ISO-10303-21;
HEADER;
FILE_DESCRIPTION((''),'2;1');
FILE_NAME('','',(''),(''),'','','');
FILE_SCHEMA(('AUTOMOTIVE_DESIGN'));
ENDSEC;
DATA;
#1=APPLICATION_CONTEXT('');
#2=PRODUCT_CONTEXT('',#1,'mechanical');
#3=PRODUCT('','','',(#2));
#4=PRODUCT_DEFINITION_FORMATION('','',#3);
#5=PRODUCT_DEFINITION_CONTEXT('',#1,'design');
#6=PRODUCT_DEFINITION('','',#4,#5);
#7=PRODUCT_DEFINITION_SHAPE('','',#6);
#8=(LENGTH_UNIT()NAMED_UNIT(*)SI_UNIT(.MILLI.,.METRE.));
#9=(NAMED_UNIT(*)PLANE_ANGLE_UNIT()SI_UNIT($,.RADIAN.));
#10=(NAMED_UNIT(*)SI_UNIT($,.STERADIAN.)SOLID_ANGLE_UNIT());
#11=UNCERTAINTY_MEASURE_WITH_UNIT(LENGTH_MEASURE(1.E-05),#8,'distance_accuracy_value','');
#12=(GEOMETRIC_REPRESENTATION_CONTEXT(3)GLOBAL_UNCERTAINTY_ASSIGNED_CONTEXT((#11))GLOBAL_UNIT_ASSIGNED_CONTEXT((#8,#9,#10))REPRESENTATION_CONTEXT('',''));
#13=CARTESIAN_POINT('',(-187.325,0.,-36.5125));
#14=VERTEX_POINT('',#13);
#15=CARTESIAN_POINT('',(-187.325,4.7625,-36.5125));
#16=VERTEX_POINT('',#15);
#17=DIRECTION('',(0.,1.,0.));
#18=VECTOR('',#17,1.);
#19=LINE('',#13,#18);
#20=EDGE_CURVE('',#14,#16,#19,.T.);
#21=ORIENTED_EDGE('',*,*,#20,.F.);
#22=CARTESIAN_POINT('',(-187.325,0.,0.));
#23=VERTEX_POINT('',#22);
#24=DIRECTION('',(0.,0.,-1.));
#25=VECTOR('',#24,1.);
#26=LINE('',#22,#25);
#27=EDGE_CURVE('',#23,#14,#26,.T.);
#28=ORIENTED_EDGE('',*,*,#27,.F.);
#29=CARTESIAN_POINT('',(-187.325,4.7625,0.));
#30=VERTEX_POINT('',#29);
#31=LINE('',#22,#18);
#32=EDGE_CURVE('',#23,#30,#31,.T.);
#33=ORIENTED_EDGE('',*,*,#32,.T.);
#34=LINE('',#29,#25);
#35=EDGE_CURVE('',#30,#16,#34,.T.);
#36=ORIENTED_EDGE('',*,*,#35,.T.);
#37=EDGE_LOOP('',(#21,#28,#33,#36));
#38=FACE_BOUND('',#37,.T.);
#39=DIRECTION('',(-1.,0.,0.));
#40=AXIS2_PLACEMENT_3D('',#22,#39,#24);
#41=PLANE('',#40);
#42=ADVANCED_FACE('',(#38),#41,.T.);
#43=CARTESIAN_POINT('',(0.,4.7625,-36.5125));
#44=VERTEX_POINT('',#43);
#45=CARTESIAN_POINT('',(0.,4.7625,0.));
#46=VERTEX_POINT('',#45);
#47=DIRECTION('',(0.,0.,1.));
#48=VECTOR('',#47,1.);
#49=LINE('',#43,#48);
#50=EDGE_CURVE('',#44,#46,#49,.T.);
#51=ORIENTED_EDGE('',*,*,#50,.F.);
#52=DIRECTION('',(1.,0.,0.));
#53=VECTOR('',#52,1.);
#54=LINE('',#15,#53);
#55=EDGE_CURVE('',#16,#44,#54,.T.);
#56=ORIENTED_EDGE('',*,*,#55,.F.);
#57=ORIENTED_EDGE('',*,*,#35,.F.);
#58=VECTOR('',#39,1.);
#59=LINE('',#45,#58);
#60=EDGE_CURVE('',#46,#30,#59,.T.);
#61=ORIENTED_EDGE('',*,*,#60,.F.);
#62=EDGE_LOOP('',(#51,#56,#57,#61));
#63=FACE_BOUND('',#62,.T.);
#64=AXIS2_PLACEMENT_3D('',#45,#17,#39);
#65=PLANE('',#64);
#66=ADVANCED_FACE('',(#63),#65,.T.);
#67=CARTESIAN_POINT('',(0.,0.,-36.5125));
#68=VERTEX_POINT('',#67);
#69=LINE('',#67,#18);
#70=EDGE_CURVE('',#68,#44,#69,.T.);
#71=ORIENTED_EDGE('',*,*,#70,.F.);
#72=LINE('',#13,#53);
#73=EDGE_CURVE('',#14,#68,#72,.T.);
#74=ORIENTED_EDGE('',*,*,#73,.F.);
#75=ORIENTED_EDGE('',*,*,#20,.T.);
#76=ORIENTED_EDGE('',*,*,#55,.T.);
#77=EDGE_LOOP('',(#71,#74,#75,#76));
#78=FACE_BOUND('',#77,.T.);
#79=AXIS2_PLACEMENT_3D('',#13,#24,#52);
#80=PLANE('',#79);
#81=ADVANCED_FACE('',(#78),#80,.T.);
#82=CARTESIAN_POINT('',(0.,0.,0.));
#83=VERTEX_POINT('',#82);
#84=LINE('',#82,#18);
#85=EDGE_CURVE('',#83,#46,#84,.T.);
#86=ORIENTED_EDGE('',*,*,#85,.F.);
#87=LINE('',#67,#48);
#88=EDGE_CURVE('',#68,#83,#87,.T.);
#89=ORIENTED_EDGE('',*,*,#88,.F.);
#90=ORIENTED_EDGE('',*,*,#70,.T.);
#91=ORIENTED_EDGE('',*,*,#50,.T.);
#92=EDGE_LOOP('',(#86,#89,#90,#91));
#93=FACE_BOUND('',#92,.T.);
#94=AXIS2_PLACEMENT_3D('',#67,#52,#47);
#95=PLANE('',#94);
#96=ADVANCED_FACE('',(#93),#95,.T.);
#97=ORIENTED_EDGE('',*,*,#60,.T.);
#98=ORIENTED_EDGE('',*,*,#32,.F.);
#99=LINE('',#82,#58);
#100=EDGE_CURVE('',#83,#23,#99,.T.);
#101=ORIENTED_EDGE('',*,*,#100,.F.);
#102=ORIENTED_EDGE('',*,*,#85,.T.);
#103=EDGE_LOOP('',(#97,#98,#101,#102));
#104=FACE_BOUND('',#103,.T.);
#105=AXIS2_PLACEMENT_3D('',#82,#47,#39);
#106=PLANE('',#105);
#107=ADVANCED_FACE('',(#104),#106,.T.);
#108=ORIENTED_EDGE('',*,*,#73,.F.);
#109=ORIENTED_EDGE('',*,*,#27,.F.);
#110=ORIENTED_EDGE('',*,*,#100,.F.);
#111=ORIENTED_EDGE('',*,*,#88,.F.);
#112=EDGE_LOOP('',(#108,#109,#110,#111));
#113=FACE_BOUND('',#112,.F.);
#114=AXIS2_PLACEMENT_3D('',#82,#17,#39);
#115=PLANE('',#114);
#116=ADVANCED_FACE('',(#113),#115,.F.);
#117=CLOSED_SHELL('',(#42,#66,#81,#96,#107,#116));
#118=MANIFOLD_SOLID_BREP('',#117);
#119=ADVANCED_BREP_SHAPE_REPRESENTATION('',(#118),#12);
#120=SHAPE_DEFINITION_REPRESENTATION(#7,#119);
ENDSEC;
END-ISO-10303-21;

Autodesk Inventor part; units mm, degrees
ref_plane "YZ Plane" through (0, 0, 0) normal (1, 0, 0) x (0, 1, 0)
ref_plane "XZ Plane" through (0, 0, 0) normal (0, 1, 0) x (-1, 0, 0)
ref_plane "XY Plane" through (0, 0, 0) normal (0, 0, 1) x (1, 0, 0)
sketch "Sketch1" plane through (0, 0, 0) normal (0, 1, 0) x (-1, 0, 0)
  line L0 (0, 0) -> (187.325, 0)
  line L1 (187.325, 0) -> (187.325, -36.5125)
  line L2 (187.325, -36.5125) -> (0, -36.5125)
  line L3 (0, -36.5125) -> (0, 0)
  dimension "d0" = 187.325
  dimension "d1" = 36.5125
extrude "Extrusion1" add sketch "Sketch1" along normal blind 4.7625
properties part number "Part_C"
